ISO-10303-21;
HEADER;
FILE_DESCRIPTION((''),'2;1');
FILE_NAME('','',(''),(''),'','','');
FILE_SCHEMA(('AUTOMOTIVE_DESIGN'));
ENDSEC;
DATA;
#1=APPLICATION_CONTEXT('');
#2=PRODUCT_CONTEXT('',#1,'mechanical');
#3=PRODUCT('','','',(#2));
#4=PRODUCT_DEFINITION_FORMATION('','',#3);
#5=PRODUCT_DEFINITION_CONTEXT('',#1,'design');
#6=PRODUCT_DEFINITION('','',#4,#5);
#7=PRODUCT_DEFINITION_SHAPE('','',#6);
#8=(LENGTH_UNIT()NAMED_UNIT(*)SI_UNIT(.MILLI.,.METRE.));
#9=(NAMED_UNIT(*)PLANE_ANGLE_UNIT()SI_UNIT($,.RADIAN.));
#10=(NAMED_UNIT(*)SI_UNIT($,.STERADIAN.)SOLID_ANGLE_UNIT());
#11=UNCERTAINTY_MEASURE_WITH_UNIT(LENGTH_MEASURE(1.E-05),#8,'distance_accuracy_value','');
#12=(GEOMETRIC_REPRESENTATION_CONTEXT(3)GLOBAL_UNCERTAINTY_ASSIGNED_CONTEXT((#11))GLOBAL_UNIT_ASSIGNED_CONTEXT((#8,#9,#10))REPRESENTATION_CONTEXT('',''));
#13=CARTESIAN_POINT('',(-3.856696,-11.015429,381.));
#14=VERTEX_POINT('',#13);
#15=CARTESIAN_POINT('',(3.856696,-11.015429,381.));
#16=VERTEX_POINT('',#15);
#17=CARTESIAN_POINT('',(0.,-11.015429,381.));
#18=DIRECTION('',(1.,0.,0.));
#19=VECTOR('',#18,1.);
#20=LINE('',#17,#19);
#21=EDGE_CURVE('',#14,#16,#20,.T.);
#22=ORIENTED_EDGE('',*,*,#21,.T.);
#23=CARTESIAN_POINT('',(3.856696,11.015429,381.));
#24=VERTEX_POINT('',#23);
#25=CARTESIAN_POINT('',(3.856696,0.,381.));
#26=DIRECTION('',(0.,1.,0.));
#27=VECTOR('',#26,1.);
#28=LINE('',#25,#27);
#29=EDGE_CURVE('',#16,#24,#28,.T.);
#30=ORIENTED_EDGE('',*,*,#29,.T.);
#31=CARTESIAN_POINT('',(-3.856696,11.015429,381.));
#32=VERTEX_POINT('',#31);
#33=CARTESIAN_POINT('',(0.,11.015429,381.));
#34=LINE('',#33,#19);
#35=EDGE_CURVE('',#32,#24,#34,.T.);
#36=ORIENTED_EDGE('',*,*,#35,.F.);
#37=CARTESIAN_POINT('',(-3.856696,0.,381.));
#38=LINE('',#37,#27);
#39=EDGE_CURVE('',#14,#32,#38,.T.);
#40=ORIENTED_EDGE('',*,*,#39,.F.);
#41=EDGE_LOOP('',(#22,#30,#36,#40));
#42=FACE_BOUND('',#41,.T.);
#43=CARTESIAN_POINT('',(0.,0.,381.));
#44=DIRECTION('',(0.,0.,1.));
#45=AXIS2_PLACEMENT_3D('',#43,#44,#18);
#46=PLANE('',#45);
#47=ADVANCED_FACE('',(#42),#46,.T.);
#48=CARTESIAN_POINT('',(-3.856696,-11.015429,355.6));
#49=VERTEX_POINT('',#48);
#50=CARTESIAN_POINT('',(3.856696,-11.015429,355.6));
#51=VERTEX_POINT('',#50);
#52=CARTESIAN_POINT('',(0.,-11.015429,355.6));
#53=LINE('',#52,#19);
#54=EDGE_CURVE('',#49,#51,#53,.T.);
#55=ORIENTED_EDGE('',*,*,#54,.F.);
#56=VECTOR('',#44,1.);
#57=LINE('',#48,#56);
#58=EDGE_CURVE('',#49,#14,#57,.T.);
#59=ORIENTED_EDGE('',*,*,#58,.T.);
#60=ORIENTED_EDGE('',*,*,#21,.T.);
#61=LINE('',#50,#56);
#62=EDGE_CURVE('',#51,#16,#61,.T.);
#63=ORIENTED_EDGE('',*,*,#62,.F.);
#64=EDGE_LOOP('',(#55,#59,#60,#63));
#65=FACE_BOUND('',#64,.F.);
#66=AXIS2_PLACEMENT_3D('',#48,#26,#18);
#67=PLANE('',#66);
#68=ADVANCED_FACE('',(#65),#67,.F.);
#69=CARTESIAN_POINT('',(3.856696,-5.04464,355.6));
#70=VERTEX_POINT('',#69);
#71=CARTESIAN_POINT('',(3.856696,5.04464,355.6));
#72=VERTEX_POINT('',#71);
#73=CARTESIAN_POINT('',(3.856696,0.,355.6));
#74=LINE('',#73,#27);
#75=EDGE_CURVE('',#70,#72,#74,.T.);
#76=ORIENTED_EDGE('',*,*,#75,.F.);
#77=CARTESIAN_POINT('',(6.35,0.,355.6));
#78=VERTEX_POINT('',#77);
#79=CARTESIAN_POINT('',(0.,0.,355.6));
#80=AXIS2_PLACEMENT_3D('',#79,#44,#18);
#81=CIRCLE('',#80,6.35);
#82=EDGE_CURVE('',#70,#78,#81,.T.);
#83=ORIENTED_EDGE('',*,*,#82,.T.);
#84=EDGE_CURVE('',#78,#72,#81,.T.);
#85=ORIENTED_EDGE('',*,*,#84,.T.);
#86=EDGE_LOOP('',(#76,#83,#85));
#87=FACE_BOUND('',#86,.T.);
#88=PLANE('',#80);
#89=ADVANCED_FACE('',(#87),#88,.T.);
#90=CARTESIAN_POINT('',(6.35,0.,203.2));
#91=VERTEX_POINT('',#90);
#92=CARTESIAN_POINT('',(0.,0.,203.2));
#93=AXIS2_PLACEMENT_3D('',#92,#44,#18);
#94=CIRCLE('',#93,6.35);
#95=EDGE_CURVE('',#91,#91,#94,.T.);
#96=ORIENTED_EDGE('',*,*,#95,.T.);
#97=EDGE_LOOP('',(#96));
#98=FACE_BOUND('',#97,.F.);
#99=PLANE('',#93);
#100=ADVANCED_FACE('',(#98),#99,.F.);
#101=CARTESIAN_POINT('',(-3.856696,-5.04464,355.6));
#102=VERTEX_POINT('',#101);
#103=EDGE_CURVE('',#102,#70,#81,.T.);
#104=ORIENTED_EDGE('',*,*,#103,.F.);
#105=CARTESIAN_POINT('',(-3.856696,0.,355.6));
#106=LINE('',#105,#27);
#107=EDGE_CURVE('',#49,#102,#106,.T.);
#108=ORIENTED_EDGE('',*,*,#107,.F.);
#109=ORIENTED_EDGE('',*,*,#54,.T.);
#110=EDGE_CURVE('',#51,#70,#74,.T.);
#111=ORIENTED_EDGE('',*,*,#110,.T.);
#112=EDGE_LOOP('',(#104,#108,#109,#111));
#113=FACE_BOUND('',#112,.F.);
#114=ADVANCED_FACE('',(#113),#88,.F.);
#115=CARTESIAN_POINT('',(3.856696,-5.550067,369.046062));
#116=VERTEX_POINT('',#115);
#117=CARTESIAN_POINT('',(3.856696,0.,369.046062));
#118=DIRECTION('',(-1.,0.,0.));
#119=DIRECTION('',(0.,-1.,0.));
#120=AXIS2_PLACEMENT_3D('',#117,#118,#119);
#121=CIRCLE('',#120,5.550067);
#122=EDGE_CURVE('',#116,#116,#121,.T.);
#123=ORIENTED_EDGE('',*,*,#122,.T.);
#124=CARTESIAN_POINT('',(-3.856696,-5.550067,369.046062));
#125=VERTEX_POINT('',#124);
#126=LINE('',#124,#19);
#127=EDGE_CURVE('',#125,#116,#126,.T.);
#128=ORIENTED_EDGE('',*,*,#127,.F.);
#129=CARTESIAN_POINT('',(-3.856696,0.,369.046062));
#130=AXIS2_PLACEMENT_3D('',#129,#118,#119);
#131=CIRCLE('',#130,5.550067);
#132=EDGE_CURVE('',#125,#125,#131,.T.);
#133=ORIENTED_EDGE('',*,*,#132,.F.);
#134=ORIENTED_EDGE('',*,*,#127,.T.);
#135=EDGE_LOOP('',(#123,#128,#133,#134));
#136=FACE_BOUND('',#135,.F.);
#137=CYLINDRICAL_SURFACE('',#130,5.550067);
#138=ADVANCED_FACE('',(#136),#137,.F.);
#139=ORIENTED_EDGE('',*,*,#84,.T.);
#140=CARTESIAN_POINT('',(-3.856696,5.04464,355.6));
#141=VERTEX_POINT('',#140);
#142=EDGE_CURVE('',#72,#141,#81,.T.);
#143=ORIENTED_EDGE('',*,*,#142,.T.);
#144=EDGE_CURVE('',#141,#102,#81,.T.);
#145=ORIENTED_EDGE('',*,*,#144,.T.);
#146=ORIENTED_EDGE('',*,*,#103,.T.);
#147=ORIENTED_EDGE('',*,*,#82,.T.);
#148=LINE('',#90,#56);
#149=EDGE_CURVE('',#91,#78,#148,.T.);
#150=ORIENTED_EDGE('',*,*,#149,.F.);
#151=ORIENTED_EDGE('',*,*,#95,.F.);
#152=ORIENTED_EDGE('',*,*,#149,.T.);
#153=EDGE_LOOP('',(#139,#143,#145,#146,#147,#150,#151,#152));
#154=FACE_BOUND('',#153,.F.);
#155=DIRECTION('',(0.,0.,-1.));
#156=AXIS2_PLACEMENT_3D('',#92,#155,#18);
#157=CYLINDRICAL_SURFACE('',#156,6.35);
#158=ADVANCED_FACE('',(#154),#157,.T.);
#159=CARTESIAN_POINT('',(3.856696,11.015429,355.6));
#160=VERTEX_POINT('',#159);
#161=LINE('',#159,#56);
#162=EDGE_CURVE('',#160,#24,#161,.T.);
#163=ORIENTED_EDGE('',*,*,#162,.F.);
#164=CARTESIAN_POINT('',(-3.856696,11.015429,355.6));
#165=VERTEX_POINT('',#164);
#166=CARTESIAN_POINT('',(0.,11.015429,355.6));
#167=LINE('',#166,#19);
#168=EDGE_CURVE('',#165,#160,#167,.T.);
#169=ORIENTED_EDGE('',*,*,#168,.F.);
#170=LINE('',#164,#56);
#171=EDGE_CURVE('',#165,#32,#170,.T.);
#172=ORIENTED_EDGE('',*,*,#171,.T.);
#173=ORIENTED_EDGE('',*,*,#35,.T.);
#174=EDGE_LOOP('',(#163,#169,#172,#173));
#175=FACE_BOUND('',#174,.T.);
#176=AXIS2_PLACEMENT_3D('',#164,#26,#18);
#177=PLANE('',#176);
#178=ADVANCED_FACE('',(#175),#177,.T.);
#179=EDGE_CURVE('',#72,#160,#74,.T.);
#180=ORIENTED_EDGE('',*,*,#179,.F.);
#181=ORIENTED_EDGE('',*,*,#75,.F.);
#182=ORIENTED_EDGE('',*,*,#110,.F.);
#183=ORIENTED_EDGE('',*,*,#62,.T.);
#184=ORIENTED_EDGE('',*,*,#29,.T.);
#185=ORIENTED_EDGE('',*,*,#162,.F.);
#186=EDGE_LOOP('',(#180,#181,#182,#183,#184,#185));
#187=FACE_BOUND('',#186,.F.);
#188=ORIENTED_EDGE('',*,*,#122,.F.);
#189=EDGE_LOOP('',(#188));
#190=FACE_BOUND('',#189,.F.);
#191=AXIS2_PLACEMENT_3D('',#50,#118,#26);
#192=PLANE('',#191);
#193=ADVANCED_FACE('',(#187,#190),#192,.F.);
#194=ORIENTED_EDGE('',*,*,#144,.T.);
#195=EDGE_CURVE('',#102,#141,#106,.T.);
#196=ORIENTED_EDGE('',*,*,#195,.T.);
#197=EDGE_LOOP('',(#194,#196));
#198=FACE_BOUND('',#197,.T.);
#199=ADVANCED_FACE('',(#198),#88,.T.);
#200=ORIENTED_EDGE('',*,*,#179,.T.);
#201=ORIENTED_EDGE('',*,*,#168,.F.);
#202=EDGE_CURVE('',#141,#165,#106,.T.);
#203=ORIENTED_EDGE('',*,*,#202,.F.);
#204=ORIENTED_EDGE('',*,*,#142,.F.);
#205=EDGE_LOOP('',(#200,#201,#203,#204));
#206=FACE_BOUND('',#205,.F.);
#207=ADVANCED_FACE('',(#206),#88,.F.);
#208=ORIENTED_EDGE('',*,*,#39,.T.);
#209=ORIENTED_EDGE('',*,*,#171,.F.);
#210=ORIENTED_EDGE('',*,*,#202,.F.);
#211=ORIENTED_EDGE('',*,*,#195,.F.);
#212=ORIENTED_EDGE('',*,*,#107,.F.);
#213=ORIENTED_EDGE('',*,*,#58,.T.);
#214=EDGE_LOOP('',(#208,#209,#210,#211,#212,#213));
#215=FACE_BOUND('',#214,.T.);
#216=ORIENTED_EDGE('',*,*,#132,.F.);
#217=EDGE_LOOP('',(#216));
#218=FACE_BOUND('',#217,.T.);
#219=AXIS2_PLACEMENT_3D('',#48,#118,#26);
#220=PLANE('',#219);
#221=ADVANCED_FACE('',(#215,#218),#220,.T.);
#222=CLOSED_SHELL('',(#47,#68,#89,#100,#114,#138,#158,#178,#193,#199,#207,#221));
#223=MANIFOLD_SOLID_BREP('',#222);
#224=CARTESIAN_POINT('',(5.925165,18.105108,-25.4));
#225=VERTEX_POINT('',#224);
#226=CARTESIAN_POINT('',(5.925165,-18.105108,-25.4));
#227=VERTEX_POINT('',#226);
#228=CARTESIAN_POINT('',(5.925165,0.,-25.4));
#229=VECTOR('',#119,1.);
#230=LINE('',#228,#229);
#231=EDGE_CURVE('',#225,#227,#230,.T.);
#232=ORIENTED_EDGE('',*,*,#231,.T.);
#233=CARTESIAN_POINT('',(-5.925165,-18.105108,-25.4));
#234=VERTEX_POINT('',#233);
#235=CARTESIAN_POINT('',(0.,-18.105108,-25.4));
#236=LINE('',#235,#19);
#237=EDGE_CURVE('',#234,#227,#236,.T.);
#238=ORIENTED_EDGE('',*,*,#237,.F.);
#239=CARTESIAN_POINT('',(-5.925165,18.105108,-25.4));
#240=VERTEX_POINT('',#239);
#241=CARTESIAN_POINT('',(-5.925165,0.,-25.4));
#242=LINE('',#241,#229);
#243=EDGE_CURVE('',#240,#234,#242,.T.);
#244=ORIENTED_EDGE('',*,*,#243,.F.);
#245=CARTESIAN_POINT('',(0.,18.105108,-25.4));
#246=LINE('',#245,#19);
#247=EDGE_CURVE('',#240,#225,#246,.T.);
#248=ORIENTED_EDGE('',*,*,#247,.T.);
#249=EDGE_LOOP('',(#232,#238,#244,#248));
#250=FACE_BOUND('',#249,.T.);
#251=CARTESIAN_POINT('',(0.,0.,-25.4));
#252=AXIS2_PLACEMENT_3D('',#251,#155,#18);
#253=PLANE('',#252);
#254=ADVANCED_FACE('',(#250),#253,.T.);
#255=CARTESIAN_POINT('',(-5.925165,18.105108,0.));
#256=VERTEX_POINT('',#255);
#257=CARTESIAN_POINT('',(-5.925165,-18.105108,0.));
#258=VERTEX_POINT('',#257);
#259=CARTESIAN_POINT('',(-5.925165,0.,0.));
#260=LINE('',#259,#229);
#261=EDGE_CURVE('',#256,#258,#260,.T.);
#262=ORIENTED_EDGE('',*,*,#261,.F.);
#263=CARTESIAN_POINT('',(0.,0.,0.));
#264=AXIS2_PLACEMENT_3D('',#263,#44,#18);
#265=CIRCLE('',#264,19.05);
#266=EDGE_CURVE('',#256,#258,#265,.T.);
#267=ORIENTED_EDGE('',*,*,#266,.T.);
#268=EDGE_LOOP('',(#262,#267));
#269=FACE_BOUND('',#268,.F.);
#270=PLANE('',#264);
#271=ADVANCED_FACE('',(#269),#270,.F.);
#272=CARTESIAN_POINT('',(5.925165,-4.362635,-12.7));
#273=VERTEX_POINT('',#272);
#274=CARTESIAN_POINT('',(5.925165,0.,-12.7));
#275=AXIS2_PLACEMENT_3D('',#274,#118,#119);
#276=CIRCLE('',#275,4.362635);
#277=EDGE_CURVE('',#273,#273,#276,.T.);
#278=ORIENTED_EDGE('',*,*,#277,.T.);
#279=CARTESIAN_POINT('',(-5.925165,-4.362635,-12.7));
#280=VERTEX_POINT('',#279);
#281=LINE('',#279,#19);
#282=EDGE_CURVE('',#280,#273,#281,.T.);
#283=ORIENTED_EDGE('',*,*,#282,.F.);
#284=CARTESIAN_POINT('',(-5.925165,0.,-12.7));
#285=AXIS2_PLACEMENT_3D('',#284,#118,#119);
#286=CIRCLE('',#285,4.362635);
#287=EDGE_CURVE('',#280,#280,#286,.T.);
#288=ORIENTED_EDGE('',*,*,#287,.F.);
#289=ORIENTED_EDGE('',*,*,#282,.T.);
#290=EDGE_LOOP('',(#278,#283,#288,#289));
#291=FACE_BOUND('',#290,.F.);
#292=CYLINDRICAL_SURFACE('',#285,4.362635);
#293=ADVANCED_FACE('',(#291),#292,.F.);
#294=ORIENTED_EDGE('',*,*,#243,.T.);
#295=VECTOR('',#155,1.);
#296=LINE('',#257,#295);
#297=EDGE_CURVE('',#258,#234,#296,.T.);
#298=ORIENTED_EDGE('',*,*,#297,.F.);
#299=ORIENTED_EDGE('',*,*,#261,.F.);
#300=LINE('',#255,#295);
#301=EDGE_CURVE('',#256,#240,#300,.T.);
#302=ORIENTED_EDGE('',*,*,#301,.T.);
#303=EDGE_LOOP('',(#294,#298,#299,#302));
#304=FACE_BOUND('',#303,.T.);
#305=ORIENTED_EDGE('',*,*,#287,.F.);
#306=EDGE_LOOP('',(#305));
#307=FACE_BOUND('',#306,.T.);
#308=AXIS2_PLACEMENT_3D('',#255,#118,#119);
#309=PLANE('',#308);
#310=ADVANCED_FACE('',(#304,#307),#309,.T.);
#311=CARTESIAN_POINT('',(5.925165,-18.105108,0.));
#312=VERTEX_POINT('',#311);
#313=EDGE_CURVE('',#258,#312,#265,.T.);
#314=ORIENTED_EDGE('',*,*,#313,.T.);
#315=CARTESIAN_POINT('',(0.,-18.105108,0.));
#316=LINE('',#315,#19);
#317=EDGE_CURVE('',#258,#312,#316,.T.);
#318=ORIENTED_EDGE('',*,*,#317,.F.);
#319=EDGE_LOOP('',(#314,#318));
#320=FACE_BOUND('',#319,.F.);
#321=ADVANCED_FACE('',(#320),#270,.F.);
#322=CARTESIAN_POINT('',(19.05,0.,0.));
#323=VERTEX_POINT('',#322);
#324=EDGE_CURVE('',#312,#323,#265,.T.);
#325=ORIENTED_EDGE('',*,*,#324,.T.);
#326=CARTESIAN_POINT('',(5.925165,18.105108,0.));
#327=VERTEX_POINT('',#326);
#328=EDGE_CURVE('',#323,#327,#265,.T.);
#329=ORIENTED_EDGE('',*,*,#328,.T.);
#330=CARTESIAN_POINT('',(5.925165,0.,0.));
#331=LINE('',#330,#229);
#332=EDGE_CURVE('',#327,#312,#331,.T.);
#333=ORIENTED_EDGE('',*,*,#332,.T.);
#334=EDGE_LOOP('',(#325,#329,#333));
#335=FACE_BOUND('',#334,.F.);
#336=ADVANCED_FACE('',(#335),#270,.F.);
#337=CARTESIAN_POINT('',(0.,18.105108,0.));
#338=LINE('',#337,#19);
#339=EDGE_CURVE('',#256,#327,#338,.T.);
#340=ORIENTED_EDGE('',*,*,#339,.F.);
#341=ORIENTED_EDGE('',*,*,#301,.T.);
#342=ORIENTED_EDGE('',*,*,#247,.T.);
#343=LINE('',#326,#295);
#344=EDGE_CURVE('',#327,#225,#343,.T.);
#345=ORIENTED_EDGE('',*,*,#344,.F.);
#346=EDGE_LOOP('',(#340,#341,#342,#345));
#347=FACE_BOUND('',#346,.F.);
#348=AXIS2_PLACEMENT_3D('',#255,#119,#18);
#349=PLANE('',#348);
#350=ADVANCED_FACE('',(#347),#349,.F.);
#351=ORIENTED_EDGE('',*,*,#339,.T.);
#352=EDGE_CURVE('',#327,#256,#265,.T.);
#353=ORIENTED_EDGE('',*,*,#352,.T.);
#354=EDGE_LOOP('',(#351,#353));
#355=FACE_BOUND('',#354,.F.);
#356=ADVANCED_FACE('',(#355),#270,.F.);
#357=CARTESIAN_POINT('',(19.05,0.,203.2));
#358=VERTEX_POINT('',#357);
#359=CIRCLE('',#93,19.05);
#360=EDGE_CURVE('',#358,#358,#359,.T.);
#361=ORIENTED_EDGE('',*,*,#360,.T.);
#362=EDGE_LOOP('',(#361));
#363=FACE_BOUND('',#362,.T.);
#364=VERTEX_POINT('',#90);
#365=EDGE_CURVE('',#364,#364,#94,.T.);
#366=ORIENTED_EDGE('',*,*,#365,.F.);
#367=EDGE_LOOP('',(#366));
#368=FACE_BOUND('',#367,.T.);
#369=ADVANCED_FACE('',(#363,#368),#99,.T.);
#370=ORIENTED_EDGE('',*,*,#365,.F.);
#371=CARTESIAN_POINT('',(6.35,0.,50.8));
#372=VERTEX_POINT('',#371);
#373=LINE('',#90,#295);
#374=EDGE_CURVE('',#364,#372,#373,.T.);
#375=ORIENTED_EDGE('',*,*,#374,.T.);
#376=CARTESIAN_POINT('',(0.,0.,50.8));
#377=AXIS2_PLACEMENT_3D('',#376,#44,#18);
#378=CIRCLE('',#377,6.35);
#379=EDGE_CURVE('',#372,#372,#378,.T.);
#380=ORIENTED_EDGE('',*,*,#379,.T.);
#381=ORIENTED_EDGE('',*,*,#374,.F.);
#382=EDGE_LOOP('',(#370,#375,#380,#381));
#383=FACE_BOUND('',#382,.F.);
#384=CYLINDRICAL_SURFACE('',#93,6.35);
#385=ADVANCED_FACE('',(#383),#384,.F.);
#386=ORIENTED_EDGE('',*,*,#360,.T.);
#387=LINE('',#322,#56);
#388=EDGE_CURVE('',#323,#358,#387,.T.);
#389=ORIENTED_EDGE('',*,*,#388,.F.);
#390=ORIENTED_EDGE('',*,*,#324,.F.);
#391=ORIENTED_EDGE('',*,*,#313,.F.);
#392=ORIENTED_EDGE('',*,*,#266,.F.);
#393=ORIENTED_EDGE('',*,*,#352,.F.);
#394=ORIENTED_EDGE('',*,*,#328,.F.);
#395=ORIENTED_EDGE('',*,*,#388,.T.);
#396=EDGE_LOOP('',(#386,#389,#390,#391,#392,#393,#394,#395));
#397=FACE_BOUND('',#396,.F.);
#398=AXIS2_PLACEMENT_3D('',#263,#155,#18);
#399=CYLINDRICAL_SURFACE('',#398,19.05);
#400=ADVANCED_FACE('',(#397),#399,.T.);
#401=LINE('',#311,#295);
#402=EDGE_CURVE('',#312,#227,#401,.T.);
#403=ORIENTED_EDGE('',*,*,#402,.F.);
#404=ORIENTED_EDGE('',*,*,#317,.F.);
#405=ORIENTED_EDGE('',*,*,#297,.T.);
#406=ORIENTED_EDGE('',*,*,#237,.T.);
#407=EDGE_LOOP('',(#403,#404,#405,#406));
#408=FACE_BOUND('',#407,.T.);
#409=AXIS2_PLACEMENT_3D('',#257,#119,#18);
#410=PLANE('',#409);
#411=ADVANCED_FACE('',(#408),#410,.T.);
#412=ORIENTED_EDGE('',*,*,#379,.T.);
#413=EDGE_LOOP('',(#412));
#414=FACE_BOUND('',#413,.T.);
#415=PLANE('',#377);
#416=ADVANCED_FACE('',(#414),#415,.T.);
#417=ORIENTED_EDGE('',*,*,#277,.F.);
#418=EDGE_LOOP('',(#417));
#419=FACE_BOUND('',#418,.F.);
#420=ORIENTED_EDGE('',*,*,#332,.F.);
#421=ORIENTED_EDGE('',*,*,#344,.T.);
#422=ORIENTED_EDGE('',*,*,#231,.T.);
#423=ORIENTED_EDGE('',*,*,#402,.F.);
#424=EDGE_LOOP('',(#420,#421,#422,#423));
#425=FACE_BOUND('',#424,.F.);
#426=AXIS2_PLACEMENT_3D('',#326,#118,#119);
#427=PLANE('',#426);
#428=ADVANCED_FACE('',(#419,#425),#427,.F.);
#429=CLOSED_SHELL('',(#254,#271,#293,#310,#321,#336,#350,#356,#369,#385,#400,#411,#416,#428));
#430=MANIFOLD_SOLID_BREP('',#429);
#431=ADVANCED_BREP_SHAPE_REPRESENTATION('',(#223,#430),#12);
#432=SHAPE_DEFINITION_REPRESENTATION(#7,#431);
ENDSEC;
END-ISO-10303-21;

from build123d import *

# Parameters (mm, degrees)
F0_R      = 19.05
F1_DEPTH  = 203.2
F2_R      = 6.35
F3_DEPTH  = 152.4
F4_R      = 6.35
F5_DEPTH  = 152.4
F6_W      = 7.713392
F6_H      = 22.030858
F7_DEPTH  = 25.4
F8_R      = 5.550067
F9_DEPTH  = 25.4
F10_W     = 11.85033
F10_H     = 36.210216
F11_DEPTH = 25.4
F12_R     = 4.362635
F13_DEPTH = 25.4


with BuildPart() as f1:
    # F0 (on Top) → F1 (new body)
    with BuildSketch(Plane.XY):
        Circle(F0_R)
    extrude(amount=F1_DEPTH)

    # F2 (on face) → F3 (cut)
    with BuildSketch(Plane.XY.offset(203.2)):
        Circle(F2_R)
    extrude(amount=-F3_DEPTH, mode=Mode.SUBTRACT)

    # F10 (on face) → F11 (join)
    with BuildSketch(Plane(origin=(0, 0, 0), x_dir=(1, 0, 0), z_dir=(0, 0, -1))):
        Rectangle(F10_W, F10_H)
    extrude(amount=F11_DEPTH)

    # F12 (on face) → F13 (cut)
    with BuildSketch(Plane(origin=(-5.925165, 0, 0), x_dir=(0, -1, 0), z_dir=(-1, 0, 0))):
        with Locations((0, -12.7)):
            Circle(F12_R)
    extrude(amount=-F13_DEPTH, mode=Mode.SUBTRACT)


with BuildPart() as f5:
    # F4 (on face) → F5 (new body)
    with BuildSketch(Plane.XY.offset(203.2)):
        Circle(F4_R)
    extrude(amount=F5_DEPTH)

    # F6 (on face) → F7 (join)
    with BuildSketch(Plane.XY.offset(355.6)):
        Rectangle(F6_W, F6_H)
    extrude(amount=F7_DEPTH)

    # F8 (on face) → F9 (cut)
    with BuildSketch(Plane(origin=(-3.856696, 0, 0), x_dir=(0, -1, 0), z_dir=(-1, 0, 0))):
        with Locations((0, 369.046062)):
            Circle(F8_R)
    extrude(amount=-F9_DEPTH, mode=Mode.SUBTRACT)


solid = Compound([f1.part, f5.part])
